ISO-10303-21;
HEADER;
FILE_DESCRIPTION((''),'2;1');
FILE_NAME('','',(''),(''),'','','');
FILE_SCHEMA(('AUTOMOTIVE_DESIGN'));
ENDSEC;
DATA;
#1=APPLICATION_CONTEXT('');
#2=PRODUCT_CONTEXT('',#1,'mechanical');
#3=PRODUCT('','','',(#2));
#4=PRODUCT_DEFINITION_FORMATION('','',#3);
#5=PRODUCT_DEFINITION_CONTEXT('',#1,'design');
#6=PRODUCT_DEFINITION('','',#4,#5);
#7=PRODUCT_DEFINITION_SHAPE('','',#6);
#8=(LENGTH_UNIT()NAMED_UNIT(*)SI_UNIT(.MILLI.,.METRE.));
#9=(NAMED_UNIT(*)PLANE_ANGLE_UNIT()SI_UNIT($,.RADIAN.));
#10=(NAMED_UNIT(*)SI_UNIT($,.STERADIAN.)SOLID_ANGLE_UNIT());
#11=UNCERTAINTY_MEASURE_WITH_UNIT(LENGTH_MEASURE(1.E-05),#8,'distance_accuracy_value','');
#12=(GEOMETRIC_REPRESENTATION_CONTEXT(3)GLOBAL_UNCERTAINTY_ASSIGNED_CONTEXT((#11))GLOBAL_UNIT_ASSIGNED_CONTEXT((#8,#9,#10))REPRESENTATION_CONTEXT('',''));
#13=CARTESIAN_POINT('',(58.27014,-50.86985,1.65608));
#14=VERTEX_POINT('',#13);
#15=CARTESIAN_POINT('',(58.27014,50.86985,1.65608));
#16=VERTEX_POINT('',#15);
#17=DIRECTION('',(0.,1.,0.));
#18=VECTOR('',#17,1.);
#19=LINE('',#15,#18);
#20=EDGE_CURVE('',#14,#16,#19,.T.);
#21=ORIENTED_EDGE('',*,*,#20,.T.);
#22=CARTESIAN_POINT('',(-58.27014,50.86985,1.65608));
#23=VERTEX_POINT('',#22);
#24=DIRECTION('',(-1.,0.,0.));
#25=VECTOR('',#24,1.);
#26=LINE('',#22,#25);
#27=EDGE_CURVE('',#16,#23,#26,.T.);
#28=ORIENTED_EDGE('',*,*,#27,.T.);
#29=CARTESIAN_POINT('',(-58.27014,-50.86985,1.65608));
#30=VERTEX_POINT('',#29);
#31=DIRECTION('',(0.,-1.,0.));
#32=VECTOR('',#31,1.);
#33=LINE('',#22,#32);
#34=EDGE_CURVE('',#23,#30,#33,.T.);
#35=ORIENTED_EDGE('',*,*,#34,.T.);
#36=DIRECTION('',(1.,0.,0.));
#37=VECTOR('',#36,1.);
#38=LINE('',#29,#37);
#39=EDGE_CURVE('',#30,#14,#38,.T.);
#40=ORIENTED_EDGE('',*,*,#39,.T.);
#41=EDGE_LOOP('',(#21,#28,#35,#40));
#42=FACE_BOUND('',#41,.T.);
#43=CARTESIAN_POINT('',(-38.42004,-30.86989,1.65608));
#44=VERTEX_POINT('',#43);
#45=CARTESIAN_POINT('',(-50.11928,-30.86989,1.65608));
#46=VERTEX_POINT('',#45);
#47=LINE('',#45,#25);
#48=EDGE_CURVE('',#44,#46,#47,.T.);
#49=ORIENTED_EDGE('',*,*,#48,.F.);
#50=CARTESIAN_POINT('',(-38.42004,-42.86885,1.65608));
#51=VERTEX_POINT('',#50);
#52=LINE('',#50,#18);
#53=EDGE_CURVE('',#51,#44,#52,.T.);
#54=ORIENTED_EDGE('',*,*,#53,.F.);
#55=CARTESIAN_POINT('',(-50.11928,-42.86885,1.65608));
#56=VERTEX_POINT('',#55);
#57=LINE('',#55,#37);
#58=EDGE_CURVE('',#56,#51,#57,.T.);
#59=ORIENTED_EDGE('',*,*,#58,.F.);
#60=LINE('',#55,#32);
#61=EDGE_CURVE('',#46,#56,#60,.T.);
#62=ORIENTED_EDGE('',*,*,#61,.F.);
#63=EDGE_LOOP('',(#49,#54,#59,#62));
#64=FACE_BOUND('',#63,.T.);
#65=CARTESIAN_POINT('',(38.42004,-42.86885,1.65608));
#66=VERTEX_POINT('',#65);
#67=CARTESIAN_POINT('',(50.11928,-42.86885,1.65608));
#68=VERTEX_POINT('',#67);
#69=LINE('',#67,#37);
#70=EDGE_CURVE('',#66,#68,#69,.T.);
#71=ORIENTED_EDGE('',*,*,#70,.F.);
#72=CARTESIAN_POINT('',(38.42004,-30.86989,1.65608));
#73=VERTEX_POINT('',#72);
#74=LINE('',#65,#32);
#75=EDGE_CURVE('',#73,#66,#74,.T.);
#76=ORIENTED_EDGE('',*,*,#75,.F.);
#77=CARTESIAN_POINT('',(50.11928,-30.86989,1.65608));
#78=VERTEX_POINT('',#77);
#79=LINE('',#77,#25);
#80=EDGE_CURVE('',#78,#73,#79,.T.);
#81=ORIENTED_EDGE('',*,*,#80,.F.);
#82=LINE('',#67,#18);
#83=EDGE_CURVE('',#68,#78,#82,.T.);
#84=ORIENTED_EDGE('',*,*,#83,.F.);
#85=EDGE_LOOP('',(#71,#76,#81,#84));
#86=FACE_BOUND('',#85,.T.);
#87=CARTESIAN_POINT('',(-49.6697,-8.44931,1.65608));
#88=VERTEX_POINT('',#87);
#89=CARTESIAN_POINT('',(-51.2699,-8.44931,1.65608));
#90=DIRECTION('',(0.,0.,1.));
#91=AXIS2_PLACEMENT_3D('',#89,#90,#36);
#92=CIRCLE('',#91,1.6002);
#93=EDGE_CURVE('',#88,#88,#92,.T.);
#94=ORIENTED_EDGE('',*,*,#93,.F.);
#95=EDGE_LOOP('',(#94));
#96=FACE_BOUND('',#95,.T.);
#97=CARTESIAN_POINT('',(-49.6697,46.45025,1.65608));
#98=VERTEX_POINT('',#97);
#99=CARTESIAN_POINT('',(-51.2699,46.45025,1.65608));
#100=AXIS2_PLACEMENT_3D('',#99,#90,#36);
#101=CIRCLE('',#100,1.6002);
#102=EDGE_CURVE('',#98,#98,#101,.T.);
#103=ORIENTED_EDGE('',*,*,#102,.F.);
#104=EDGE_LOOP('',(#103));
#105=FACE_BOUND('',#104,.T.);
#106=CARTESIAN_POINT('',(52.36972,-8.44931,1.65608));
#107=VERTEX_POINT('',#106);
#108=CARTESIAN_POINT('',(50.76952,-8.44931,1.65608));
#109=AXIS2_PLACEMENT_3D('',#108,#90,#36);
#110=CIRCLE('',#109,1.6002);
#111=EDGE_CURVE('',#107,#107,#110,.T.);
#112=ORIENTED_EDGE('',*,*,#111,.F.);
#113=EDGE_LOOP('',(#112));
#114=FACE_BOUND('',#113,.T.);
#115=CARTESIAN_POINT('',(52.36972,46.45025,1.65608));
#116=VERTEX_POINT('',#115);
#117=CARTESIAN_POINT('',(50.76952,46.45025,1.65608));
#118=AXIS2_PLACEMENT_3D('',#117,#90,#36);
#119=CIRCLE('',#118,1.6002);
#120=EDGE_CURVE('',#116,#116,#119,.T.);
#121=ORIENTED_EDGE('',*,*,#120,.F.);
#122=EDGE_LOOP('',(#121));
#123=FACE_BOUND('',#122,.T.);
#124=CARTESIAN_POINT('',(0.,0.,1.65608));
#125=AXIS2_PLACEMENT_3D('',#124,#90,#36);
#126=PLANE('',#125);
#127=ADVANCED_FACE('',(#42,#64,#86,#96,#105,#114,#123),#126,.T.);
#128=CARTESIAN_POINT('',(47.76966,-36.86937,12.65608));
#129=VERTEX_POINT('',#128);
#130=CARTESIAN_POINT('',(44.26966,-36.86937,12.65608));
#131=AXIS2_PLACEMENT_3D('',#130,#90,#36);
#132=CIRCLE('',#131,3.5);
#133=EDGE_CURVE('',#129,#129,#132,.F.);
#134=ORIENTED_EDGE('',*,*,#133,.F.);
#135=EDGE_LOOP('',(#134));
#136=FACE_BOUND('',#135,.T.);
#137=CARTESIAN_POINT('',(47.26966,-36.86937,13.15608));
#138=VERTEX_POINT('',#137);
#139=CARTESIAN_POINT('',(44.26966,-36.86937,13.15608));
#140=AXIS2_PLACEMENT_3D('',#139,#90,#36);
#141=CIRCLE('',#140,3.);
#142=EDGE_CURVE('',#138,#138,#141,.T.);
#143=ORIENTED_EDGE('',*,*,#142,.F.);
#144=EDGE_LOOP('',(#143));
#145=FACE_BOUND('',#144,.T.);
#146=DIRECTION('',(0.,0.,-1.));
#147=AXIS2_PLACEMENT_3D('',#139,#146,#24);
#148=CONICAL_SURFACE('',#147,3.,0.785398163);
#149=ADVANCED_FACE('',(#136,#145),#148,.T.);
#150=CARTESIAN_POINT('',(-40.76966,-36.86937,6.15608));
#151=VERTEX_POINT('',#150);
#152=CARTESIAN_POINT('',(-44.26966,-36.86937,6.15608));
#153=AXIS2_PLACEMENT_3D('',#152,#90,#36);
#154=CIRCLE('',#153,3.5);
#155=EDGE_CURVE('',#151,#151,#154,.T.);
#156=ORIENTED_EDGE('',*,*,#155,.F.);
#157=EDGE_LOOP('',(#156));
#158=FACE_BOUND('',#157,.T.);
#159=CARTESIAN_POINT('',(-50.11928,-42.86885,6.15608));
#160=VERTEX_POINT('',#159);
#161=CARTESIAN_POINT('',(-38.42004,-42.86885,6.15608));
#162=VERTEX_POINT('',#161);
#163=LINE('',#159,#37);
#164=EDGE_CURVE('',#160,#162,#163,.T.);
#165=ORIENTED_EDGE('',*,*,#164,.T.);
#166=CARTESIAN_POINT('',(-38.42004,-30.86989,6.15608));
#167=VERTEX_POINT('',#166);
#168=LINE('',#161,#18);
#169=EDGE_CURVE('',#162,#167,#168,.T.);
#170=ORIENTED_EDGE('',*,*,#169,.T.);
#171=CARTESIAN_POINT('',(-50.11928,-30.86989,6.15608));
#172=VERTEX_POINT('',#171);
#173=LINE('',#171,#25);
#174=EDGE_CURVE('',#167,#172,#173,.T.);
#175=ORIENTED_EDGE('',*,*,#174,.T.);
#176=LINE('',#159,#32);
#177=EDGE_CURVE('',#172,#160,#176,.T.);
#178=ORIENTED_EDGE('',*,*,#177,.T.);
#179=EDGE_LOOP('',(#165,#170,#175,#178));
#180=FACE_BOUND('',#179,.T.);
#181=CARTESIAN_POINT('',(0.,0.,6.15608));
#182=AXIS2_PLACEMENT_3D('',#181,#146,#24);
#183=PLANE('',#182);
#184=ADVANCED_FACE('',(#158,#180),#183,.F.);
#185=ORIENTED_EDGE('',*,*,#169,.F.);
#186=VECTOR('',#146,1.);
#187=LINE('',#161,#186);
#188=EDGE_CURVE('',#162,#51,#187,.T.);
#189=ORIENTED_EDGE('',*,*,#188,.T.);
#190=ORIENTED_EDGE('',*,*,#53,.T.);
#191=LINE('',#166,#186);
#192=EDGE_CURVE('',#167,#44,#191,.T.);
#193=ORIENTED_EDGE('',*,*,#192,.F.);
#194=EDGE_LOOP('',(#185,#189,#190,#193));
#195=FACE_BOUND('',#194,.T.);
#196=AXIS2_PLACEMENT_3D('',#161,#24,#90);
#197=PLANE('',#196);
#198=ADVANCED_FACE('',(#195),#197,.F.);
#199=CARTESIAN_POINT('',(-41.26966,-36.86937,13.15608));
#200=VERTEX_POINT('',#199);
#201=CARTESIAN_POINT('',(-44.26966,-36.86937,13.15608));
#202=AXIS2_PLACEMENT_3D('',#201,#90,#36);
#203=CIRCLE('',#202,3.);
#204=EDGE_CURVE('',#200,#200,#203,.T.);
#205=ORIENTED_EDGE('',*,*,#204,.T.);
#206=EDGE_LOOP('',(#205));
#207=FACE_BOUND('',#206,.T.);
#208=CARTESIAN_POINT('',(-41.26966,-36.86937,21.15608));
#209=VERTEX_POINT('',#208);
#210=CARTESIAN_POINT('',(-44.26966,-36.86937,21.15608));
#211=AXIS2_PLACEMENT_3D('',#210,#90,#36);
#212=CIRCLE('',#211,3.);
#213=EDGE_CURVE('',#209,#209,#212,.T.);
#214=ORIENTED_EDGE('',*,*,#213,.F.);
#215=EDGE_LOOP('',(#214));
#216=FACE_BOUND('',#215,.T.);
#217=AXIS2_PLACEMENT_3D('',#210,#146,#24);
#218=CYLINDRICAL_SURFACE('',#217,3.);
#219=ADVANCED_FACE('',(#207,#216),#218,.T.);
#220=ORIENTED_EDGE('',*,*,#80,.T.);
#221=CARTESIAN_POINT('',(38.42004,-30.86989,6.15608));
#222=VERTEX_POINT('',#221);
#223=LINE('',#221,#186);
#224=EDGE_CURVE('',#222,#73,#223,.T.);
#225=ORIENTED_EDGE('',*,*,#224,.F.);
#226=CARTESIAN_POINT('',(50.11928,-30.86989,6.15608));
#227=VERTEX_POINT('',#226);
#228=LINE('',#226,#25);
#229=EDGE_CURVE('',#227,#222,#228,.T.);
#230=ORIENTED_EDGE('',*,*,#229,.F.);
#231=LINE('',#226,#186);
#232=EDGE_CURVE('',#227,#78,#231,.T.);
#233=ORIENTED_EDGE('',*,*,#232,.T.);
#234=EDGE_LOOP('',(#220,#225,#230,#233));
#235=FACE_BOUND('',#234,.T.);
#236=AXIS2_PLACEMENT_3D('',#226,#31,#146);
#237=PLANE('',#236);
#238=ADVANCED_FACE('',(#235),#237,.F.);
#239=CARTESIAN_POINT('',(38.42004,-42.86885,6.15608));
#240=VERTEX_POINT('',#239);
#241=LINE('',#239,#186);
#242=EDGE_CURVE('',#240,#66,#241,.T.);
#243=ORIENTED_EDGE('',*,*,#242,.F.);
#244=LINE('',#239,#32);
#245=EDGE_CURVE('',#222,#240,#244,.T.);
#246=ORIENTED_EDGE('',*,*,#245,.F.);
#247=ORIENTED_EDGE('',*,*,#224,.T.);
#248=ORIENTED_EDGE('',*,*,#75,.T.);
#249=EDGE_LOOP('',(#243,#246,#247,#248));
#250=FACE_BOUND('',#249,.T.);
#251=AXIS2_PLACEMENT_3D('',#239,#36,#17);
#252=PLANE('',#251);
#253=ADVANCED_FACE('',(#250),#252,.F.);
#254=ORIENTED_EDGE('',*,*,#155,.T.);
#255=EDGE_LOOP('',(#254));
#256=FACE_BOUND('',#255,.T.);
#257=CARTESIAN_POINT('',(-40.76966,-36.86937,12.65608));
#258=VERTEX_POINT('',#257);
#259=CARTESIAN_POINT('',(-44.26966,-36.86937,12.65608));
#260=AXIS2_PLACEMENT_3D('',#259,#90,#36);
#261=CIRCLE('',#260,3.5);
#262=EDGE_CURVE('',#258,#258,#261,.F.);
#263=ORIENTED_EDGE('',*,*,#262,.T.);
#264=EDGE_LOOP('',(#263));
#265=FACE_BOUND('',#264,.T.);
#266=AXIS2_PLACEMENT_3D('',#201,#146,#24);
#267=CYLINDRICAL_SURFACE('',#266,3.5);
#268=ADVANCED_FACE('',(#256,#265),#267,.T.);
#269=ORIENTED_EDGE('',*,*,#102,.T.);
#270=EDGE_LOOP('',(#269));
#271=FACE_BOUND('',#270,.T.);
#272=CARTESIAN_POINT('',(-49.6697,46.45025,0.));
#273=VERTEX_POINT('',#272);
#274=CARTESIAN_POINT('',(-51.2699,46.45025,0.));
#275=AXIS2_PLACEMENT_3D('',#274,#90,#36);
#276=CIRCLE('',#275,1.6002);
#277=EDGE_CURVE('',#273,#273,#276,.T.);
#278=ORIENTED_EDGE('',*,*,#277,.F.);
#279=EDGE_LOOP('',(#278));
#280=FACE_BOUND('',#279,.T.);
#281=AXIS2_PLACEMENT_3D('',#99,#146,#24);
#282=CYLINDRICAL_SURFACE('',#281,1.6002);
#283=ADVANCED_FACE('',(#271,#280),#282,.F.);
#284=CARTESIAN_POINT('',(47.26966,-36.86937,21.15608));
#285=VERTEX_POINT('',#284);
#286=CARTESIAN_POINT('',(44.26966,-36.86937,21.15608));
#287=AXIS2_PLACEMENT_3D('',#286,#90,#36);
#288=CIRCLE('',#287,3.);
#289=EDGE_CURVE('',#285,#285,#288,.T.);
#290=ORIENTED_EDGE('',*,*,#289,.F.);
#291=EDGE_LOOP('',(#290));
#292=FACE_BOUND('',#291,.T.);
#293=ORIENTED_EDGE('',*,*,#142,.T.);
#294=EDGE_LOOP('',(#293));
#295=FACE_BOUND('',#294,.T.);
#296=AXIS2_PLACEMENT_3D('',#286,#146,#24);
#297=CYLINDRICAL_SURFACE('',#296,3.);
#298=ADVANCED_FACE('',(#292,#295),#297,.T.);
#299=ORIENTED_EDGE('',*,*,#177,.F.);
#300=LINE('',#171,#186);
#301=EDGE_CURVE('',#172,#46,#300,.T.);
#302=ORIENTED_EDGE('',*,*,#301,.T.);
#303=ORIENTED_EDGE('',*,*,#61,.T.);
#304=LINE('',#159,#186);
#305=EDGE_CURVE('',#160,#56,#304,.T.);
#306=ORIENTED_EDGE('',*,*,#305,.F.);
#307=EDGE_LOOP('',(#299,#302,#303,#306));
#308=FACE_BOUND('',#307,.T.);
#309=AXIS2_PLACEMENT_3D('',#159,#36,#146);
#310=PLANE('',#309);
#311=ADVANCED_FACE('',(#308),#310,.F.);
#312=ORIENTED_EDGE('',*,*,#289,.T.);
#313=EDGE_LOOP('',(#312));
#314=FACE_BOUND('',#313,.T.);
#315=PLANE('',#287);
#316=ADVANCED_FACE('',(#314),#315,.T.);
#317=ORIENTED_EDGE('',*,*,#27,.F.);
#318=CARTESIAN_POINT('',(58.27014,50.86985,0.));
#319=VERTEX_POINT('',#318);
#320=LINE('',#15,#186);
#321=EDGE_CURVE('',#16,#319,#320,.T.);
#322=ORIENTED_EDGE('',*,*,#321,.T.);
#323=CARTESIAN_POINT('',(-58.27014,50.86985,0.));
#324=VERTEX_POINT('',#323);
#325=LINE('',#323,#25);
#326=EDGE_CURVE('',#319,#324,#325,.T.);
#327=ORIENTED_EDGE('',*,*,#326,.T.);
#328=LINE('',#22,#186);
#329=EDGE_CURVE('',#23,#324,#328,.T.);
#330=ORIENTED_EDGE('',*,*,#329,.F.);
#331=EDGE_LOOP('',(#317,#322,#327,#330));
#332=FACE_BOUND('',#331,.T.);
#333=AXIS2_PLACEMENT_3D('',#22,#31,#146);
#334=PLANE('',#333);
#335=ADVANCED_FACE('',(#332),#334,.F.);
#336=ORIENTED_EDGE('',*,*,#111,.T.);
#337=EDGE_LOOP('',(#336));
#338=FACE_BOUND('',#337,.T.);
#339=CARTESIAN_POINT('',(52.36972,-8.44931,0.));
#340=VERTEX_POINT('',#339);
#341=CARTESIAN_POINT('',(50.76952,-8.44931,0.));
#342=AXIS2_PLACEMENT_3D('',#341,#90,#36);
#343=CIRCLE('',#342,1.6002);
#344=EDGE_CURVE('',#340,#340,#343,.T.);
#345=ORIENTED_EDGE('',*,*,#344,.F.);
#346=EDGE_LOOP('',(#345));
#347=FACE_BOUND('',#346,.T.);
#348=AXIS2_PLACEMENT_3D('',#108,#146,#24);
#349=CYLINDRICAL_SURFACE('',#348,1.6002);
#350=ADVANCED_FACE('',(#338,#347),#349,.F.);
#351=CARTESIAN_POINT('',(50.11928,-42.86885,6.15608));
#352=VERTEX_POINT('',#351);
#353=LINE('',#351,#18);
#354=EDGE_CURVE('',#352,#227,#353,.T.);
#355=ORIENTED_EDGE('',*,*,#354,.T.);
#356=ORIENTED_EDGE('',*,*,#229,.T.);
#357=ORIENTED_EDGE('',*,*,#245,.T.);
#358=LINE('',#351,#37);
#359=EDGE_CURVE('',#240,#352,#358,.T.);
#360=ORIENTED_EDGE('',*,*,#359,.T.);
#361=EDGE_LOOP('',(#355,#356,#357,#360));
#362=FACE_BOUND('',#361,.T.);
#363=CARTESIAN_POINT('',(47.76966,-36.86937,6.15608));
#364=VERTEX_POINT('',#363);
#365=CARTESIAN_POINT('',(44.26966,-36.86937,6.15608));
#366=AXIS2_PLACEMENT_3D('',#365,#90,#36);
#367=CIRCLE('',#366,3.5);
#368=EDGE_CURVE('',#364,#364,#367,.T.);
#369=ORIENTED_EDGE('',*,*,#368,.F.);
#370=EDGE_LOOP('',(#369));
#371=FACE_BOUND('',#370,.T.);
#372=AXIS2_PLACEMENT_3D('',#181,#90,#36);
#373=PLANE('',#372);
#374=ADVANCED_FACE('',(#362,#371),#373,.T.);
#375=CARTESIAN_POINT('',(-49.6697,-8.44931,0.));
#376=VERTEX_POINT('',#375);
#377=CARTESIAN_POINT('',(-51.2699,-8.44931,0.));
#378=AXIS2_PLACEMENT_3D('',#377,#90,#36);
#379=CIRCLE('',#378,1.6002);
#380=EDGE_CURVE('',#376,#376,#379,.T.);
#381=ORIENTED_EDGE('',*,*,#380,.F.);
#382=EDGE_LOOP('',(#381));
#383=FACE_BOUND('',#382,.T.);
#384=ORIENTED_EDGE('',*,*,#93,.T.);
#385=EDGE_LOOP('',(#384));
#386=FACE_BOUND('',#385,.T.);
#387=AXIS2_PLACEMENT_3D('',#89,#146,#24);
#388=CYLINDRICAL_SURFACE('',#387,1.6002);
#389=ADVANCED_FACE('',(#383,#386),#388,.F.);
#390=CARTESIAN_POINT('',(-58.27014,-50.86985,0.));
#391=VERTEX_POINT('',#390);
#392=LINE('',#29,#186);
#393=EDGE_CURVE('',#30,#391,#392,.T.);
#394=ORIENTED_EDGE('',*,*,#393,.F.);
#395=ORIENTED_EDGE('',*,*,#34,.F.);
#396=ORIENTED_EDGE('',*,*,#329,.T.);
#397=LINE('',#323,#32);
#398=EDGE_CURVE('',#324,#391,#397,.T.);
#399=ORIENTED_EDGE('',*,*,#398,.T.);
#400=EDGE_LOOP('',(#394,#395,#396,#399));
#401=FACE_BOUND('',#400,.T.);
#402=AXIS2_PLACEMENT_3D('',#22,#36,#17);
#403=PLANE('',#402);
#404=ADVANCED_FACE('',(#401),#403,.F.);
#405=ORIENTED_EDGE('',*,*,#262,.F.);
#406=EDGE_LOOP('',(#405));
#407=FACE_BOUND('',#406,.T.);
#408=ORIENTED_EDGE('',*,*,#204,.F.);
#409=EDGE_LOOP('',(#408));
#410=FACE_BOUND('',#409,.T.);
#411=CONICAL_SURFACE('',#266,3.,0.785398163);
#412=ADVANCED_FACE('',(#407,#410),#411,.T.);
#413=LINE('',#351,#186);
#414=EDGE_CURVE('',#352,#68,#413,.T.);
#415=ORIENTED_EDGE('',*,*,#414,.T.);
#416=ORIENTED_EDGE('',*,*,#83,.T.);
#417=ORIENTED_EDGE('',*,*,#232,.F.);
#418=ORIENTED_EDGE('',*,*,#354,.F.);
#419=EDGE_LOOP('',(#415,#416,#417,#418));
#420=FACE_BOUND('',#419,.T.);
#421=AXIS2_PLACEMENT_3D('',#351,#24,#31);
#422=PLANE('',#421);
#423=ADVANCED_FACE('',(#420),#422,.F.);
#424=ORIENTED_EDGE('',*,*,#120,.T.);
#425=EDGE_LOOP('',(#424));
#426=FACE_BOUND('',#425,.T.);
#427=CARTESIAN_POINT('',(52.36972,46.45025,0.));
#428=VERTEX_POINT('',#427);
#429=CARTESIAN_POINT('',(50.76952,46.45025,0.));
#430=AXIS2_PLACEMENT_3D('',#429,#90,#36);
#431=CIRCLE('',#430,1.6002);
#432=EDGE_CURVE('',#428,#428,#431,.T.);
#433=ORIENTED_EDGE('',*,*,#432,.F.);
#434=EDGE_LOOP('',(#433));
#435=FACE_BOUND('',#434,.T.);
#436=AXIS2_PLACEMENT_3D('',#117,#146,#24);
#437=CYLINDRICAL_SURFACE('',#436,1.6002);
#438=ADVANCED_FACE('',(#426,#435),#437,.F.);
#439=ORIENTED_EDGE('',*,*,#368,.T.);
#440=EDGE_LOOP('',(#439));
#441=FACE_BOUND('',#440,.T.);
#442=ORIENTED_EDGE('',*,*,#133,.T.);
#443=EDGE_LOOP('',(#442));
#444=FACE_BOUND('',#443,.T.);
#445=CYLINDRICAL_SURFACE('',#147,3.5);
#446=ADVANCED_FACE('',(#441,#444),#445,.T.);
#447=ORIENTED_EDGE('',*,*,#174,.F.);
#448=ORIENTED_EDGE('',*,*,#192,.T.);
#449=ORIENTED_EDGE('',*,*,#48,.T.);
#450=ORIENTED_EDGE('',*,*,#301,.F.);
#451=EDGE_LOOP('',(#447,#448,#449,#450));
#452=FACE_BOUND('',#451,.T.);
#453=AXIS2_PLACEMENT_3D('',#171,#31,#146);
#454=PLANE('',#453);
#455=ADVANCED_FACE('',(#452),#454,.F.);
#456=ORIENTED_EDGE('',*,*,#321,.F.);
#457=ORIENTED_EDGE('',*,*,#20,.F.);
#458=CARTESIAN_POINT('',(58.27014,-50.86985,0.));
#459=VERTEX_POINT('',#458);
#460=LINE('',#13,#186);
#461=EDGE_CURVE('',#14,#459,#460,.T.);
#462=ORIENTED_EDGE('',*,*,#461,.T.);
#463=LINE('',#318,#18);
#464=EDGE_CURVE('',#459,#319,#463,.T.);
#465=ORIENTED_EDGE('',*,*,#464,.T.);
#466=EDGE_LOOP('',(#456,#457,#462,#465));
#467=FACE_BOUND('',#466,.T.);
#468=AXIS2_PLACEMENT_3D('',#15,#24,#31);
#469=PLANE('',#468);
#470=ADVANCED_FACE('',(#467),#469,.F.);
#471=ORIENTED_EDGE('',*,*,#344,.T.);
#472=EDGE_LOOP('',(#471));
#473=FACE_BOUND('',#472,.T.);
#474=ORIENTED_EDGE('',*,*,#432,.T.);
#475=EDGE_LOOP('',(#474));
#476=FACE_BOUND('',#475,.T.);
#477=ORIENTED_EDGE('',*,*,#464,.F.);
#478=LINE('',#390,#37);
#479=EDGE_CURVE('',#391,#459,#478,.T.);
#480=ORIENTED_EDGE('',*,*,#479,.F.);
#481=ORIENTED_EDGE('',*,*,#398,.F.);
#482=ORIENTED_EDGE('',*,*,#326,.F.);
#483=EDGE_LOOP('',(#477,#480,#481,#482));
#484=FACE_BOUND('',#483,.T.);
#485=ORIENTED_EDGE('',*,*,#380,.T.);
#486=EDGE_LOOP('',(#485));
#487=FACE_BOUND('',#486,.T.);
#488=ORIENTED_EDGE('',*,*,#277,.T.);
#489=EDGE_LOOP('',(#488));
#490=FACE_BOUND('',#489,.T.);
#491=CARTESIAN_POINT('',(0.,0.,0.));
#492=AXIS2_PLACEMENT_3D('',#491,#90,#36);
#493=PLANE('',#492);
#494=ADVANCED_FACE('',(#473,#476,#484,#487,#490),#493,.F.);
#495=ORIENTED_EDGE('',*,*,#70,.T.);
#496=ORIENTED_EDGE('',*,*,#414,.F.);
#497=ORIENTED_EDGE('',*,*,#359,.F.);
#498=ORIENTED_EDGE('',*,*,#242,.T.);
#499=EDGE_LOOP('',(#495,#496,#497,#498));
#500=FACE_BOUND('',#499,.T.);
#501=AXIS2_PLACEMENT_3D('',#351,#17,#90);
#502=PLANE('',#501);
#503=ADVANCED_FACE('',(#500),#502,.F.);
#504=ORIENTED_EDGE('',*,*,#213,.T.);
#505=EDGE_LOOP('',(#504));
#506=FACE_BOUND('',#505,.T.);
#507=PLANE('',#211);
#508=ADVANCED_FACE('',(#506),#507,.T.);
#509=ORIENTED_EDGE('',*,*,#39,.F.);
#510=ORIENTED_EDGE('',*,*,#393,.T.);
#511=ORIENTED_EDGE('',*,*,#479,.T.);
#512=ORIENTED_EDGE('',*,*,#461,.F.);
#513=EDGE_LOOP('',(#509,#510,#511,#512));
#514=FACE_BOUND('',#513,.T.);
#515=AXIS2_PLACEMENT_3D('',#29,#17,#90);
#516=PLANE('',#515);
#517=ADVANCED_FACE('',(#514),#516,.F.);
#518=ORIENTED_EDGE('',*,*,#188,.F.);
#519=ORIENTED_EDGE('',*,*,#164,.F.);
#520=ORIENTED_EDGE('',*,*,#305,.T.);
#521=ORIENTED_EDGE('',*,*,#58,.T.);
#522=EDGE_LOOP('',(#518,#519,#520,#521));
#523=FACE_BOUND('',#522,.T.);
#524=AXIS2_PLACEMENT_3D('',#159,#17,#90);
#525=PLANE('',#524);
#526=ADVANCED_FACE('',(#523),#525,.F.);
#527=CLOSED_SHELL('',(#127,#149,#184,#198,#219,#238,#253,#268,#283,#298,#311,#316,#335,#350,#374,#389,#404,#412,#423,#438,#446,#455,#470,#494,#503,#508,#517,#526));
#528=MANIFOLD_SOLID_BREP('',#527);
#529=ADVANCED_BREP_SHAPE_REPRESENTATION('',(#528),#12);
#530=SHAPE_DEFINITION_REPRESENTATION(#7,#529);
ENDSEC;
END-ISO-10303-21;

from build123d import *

# Parameters (mm, degrees)
SKETCH1_W           = 116.54028
SKETCH1_H           = 101.7397
SKETCH1_R           = 1.6002
BOSS_EXTRUDE1_DEPTH = 1.65608
SKETCH2_W           = 11.69924
SKETCH2_H           = 11.99896
BOSS_EXTRUDE2_DEPTH = 4.5
SKETCH3_R           = 3.5
BOSS_EXTRUDE3_DEPTH = 7
CHAMFER1_SIZE       = 0.5
SKETCH5_R           = 3
BOSS_EXTRUDE4_DEPTH = 8


with BuildPart() as part:
    # Sketch1 → Boss-Extrude1 (new body)
    with BuildSketch(Plane.XY):
        Rectangle(SKETCH1_W, SKETCH1_H)
        with Locations((-51.2699, 46.45025)):
            Circle(SKETCH1_R, mode=Mode.SUBTRACT)
        with Locations((50.76952, 46.45025)):
            Circle(SKETCH1_R, mode=Mode.SUBTRACT)
        with Locations((50.76952, -8.44931)):
            Circle(SKETCH1_R, mode=Mode.SUBTRACT)
        with Locations((-51.2699, -8.44931)):
            Circle(SKETCH1_R, mode=Mode.SUBTRACT)
    extrude(amount=BOSS_EXTRUDE1_DEPTH)

    # Sketch2 → Boss-Extrude2 (add)
    with BuildSketch(Plane.XY.offset(1.65608)):
        with Locations((-44.26966, -36.86937)):
            Rectangle(SKETCH2_W, SKETCH2_H)
        with Locations((44.26966, -36.86937)):
            Rectangle(SKETCH2_W, SKETCH2_H)
    extrude(amount=BOSS_EXTRUDE2_DEPTH)

    # Sketch3 → Boss-Extrude3 (add)
    with BuildSketch(Plane.XY.offset(6.15608)):
        with Locations((-44.26966, -36.86937)):
            Circle(SKETCH3_R)
        with Locations((44.26966, -36.86937)):
            Circle(SKETCH3_R)
    extrude(amount=BOSS_EXTRUDE3_DEPTH)

    # Chamfer1
    chamfer1_edges = [part.edges().sort_by_distance(p)[0] for p in [
        (-47.76966, -36.86937, 13.15608),
        (40.76966, -36.86937, 13.15608),
    ]]
    chamfer(chamfer1_edges, length=CHAMFER1_SIZE)

    # Sketch5 → Boss-Extrude4 (add)
    with BuildSketch(Plane.XY.offset(13.15608)):
        with Locations((44.26966, -36.86937)):
            Circle(SKETCH5_R)
        with Locations((-44.26966, -36.86937)):
            Circle(SKETCH5_R)
    extrude(amount=BOSS_EXTRUDE4_DEPTH)


solid = part.part
